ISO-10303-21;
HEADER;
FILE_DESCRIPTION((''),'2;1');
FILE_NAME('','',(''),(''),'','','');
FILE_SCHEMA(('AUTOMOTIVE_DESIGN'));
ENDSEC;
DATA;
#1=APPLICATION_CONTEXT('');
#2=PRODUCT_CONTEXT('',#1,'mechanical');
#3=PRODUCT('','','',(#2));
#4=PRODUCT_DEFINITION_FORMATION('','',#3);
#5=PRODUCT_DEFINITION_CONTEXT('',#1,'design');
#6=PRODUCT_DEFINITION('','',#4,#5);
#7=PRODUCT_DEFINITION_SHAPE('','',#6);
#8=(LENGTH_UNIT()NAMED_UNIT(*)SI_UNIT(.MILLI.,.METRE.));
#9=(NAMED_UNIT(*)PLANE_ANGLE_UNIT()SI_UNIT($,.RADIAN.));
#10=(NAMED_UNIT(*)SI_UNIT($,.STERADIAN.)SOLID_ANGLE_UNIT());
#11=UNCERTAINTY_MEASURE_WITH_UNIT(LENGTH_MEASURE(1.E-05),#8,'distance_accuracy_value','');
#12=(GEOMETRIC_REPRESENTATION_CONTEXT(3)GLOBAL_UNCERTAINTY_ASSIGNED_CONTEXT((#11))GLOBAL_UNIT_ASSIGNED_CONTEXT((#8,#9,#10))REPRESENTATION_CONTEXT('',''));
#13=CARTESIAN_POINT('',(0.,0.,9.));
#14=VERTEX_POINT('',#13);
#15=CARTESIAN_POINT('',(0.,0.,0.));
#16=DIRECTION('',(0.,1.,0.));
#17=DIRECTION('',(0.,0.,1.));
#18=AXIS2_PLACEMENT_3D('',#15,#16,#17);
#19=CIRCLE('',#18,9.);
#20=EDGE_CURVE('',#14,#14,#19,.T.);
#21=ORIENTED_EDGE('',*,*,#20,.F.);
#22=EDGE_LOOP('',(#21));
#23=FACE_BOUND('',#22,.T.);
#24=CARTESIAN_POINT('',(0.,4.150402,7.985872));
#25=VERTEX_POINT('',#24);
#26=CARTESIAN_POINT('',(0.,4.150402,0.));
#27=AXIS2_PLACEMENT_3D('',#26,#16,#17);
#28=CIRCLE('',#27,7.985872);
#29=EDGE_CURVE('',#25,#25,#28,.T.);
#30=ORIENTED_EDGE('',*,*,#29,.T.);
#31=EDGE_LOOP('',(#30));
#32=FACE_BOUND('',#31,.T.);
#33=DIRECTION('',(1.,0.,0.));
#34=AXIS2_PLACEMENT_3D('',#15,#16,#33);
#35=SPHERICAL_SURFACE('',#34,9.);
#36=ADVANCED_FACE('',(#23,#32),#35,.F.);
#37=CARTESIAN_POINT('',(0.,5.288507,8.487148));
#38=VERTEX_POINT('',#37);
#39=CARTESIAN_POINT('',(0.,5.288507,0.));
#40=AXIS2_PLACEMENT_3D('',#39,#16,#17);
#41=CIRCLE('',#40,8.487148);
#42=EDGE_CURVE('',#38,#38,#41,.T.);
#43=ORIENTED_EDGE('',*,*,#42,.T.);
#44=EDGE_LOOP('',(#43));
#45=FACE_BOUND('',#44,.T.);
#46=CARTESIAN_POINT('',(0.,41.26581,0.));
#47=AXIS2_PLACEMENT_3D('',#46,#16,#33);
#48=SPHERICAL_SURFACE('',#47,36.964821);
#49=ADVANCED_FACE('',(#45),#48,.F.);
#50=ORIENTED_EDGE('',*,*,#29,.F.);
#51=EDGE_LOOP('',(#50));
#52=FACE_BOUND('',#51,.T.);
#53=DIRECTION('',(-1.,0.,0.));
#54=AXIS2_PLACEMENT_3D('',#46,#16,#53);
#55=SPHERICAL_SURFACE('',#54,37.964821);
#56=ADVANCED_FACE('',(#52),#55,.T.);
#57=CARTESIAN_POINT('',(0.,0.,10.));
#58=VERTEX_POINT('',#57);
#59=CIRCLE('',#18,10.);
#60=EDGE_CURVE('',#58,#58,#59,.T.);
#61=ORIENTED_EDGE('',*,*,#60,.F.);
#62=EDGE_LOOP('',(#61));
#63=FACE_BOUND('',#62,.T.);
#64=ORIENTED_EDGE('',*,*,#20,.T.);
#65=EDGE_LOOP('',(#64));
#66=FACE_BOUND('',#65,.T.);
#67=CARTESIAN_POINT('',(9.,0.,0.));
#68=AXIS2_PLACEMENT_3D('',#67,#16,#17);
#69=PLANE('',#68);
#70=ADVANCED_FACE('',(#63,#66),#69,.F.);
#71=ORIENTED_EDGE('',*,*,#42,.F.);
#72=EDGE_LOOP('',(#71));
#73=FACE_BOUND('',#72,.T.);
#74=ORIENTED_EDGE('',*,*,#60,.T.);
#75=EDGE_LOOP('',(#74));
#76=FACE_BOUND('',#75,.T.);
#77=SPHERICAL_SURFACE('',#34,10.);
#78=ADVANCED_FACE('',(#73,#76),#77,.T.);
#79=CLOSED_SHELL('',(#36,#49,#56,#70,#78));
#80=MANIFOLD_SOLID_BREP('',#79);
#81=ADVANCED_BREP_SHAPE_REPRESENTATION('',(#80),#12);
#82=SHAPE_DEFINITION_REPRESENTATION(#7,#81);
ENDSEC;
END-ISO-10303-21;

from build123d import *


with BuildPart() as part:
    # Sketch1 → Revolve1 (revolve)
    with BuildSketch(Plane.XY, mode=Mode.PRIVATE) as revolve1_sk:
        with BuildLine():
            Line((9, 0), (10, 0))
            ThreePointArc((10, 0), (9.614350858, 2.75031954), (8.487148486, 5.288507406))
            ThreePointArc((8.487148486, 5.288507406), (4.272203238, 4.548698582), (0, 4.300989002))
            Line((0, 4.300989002), (0, 3.300989002))
            ThreePointArc((0, 3.300989002), (4.015459576, 3.513939612), (7.985872471, 4.150402495))
            ThreePointArc((7.985872471, 4.150402495), (8.74279281, 2.136252298), (9, 0))
        make_face()
    revolve(revolve1_sk.sketch.rotate(Axis((0, 11.014623281, 0), (0, -1, 0)), 90), axis=Axis((0, 11.014623281, 0), (0, -1, 0)))


solid = part.part
